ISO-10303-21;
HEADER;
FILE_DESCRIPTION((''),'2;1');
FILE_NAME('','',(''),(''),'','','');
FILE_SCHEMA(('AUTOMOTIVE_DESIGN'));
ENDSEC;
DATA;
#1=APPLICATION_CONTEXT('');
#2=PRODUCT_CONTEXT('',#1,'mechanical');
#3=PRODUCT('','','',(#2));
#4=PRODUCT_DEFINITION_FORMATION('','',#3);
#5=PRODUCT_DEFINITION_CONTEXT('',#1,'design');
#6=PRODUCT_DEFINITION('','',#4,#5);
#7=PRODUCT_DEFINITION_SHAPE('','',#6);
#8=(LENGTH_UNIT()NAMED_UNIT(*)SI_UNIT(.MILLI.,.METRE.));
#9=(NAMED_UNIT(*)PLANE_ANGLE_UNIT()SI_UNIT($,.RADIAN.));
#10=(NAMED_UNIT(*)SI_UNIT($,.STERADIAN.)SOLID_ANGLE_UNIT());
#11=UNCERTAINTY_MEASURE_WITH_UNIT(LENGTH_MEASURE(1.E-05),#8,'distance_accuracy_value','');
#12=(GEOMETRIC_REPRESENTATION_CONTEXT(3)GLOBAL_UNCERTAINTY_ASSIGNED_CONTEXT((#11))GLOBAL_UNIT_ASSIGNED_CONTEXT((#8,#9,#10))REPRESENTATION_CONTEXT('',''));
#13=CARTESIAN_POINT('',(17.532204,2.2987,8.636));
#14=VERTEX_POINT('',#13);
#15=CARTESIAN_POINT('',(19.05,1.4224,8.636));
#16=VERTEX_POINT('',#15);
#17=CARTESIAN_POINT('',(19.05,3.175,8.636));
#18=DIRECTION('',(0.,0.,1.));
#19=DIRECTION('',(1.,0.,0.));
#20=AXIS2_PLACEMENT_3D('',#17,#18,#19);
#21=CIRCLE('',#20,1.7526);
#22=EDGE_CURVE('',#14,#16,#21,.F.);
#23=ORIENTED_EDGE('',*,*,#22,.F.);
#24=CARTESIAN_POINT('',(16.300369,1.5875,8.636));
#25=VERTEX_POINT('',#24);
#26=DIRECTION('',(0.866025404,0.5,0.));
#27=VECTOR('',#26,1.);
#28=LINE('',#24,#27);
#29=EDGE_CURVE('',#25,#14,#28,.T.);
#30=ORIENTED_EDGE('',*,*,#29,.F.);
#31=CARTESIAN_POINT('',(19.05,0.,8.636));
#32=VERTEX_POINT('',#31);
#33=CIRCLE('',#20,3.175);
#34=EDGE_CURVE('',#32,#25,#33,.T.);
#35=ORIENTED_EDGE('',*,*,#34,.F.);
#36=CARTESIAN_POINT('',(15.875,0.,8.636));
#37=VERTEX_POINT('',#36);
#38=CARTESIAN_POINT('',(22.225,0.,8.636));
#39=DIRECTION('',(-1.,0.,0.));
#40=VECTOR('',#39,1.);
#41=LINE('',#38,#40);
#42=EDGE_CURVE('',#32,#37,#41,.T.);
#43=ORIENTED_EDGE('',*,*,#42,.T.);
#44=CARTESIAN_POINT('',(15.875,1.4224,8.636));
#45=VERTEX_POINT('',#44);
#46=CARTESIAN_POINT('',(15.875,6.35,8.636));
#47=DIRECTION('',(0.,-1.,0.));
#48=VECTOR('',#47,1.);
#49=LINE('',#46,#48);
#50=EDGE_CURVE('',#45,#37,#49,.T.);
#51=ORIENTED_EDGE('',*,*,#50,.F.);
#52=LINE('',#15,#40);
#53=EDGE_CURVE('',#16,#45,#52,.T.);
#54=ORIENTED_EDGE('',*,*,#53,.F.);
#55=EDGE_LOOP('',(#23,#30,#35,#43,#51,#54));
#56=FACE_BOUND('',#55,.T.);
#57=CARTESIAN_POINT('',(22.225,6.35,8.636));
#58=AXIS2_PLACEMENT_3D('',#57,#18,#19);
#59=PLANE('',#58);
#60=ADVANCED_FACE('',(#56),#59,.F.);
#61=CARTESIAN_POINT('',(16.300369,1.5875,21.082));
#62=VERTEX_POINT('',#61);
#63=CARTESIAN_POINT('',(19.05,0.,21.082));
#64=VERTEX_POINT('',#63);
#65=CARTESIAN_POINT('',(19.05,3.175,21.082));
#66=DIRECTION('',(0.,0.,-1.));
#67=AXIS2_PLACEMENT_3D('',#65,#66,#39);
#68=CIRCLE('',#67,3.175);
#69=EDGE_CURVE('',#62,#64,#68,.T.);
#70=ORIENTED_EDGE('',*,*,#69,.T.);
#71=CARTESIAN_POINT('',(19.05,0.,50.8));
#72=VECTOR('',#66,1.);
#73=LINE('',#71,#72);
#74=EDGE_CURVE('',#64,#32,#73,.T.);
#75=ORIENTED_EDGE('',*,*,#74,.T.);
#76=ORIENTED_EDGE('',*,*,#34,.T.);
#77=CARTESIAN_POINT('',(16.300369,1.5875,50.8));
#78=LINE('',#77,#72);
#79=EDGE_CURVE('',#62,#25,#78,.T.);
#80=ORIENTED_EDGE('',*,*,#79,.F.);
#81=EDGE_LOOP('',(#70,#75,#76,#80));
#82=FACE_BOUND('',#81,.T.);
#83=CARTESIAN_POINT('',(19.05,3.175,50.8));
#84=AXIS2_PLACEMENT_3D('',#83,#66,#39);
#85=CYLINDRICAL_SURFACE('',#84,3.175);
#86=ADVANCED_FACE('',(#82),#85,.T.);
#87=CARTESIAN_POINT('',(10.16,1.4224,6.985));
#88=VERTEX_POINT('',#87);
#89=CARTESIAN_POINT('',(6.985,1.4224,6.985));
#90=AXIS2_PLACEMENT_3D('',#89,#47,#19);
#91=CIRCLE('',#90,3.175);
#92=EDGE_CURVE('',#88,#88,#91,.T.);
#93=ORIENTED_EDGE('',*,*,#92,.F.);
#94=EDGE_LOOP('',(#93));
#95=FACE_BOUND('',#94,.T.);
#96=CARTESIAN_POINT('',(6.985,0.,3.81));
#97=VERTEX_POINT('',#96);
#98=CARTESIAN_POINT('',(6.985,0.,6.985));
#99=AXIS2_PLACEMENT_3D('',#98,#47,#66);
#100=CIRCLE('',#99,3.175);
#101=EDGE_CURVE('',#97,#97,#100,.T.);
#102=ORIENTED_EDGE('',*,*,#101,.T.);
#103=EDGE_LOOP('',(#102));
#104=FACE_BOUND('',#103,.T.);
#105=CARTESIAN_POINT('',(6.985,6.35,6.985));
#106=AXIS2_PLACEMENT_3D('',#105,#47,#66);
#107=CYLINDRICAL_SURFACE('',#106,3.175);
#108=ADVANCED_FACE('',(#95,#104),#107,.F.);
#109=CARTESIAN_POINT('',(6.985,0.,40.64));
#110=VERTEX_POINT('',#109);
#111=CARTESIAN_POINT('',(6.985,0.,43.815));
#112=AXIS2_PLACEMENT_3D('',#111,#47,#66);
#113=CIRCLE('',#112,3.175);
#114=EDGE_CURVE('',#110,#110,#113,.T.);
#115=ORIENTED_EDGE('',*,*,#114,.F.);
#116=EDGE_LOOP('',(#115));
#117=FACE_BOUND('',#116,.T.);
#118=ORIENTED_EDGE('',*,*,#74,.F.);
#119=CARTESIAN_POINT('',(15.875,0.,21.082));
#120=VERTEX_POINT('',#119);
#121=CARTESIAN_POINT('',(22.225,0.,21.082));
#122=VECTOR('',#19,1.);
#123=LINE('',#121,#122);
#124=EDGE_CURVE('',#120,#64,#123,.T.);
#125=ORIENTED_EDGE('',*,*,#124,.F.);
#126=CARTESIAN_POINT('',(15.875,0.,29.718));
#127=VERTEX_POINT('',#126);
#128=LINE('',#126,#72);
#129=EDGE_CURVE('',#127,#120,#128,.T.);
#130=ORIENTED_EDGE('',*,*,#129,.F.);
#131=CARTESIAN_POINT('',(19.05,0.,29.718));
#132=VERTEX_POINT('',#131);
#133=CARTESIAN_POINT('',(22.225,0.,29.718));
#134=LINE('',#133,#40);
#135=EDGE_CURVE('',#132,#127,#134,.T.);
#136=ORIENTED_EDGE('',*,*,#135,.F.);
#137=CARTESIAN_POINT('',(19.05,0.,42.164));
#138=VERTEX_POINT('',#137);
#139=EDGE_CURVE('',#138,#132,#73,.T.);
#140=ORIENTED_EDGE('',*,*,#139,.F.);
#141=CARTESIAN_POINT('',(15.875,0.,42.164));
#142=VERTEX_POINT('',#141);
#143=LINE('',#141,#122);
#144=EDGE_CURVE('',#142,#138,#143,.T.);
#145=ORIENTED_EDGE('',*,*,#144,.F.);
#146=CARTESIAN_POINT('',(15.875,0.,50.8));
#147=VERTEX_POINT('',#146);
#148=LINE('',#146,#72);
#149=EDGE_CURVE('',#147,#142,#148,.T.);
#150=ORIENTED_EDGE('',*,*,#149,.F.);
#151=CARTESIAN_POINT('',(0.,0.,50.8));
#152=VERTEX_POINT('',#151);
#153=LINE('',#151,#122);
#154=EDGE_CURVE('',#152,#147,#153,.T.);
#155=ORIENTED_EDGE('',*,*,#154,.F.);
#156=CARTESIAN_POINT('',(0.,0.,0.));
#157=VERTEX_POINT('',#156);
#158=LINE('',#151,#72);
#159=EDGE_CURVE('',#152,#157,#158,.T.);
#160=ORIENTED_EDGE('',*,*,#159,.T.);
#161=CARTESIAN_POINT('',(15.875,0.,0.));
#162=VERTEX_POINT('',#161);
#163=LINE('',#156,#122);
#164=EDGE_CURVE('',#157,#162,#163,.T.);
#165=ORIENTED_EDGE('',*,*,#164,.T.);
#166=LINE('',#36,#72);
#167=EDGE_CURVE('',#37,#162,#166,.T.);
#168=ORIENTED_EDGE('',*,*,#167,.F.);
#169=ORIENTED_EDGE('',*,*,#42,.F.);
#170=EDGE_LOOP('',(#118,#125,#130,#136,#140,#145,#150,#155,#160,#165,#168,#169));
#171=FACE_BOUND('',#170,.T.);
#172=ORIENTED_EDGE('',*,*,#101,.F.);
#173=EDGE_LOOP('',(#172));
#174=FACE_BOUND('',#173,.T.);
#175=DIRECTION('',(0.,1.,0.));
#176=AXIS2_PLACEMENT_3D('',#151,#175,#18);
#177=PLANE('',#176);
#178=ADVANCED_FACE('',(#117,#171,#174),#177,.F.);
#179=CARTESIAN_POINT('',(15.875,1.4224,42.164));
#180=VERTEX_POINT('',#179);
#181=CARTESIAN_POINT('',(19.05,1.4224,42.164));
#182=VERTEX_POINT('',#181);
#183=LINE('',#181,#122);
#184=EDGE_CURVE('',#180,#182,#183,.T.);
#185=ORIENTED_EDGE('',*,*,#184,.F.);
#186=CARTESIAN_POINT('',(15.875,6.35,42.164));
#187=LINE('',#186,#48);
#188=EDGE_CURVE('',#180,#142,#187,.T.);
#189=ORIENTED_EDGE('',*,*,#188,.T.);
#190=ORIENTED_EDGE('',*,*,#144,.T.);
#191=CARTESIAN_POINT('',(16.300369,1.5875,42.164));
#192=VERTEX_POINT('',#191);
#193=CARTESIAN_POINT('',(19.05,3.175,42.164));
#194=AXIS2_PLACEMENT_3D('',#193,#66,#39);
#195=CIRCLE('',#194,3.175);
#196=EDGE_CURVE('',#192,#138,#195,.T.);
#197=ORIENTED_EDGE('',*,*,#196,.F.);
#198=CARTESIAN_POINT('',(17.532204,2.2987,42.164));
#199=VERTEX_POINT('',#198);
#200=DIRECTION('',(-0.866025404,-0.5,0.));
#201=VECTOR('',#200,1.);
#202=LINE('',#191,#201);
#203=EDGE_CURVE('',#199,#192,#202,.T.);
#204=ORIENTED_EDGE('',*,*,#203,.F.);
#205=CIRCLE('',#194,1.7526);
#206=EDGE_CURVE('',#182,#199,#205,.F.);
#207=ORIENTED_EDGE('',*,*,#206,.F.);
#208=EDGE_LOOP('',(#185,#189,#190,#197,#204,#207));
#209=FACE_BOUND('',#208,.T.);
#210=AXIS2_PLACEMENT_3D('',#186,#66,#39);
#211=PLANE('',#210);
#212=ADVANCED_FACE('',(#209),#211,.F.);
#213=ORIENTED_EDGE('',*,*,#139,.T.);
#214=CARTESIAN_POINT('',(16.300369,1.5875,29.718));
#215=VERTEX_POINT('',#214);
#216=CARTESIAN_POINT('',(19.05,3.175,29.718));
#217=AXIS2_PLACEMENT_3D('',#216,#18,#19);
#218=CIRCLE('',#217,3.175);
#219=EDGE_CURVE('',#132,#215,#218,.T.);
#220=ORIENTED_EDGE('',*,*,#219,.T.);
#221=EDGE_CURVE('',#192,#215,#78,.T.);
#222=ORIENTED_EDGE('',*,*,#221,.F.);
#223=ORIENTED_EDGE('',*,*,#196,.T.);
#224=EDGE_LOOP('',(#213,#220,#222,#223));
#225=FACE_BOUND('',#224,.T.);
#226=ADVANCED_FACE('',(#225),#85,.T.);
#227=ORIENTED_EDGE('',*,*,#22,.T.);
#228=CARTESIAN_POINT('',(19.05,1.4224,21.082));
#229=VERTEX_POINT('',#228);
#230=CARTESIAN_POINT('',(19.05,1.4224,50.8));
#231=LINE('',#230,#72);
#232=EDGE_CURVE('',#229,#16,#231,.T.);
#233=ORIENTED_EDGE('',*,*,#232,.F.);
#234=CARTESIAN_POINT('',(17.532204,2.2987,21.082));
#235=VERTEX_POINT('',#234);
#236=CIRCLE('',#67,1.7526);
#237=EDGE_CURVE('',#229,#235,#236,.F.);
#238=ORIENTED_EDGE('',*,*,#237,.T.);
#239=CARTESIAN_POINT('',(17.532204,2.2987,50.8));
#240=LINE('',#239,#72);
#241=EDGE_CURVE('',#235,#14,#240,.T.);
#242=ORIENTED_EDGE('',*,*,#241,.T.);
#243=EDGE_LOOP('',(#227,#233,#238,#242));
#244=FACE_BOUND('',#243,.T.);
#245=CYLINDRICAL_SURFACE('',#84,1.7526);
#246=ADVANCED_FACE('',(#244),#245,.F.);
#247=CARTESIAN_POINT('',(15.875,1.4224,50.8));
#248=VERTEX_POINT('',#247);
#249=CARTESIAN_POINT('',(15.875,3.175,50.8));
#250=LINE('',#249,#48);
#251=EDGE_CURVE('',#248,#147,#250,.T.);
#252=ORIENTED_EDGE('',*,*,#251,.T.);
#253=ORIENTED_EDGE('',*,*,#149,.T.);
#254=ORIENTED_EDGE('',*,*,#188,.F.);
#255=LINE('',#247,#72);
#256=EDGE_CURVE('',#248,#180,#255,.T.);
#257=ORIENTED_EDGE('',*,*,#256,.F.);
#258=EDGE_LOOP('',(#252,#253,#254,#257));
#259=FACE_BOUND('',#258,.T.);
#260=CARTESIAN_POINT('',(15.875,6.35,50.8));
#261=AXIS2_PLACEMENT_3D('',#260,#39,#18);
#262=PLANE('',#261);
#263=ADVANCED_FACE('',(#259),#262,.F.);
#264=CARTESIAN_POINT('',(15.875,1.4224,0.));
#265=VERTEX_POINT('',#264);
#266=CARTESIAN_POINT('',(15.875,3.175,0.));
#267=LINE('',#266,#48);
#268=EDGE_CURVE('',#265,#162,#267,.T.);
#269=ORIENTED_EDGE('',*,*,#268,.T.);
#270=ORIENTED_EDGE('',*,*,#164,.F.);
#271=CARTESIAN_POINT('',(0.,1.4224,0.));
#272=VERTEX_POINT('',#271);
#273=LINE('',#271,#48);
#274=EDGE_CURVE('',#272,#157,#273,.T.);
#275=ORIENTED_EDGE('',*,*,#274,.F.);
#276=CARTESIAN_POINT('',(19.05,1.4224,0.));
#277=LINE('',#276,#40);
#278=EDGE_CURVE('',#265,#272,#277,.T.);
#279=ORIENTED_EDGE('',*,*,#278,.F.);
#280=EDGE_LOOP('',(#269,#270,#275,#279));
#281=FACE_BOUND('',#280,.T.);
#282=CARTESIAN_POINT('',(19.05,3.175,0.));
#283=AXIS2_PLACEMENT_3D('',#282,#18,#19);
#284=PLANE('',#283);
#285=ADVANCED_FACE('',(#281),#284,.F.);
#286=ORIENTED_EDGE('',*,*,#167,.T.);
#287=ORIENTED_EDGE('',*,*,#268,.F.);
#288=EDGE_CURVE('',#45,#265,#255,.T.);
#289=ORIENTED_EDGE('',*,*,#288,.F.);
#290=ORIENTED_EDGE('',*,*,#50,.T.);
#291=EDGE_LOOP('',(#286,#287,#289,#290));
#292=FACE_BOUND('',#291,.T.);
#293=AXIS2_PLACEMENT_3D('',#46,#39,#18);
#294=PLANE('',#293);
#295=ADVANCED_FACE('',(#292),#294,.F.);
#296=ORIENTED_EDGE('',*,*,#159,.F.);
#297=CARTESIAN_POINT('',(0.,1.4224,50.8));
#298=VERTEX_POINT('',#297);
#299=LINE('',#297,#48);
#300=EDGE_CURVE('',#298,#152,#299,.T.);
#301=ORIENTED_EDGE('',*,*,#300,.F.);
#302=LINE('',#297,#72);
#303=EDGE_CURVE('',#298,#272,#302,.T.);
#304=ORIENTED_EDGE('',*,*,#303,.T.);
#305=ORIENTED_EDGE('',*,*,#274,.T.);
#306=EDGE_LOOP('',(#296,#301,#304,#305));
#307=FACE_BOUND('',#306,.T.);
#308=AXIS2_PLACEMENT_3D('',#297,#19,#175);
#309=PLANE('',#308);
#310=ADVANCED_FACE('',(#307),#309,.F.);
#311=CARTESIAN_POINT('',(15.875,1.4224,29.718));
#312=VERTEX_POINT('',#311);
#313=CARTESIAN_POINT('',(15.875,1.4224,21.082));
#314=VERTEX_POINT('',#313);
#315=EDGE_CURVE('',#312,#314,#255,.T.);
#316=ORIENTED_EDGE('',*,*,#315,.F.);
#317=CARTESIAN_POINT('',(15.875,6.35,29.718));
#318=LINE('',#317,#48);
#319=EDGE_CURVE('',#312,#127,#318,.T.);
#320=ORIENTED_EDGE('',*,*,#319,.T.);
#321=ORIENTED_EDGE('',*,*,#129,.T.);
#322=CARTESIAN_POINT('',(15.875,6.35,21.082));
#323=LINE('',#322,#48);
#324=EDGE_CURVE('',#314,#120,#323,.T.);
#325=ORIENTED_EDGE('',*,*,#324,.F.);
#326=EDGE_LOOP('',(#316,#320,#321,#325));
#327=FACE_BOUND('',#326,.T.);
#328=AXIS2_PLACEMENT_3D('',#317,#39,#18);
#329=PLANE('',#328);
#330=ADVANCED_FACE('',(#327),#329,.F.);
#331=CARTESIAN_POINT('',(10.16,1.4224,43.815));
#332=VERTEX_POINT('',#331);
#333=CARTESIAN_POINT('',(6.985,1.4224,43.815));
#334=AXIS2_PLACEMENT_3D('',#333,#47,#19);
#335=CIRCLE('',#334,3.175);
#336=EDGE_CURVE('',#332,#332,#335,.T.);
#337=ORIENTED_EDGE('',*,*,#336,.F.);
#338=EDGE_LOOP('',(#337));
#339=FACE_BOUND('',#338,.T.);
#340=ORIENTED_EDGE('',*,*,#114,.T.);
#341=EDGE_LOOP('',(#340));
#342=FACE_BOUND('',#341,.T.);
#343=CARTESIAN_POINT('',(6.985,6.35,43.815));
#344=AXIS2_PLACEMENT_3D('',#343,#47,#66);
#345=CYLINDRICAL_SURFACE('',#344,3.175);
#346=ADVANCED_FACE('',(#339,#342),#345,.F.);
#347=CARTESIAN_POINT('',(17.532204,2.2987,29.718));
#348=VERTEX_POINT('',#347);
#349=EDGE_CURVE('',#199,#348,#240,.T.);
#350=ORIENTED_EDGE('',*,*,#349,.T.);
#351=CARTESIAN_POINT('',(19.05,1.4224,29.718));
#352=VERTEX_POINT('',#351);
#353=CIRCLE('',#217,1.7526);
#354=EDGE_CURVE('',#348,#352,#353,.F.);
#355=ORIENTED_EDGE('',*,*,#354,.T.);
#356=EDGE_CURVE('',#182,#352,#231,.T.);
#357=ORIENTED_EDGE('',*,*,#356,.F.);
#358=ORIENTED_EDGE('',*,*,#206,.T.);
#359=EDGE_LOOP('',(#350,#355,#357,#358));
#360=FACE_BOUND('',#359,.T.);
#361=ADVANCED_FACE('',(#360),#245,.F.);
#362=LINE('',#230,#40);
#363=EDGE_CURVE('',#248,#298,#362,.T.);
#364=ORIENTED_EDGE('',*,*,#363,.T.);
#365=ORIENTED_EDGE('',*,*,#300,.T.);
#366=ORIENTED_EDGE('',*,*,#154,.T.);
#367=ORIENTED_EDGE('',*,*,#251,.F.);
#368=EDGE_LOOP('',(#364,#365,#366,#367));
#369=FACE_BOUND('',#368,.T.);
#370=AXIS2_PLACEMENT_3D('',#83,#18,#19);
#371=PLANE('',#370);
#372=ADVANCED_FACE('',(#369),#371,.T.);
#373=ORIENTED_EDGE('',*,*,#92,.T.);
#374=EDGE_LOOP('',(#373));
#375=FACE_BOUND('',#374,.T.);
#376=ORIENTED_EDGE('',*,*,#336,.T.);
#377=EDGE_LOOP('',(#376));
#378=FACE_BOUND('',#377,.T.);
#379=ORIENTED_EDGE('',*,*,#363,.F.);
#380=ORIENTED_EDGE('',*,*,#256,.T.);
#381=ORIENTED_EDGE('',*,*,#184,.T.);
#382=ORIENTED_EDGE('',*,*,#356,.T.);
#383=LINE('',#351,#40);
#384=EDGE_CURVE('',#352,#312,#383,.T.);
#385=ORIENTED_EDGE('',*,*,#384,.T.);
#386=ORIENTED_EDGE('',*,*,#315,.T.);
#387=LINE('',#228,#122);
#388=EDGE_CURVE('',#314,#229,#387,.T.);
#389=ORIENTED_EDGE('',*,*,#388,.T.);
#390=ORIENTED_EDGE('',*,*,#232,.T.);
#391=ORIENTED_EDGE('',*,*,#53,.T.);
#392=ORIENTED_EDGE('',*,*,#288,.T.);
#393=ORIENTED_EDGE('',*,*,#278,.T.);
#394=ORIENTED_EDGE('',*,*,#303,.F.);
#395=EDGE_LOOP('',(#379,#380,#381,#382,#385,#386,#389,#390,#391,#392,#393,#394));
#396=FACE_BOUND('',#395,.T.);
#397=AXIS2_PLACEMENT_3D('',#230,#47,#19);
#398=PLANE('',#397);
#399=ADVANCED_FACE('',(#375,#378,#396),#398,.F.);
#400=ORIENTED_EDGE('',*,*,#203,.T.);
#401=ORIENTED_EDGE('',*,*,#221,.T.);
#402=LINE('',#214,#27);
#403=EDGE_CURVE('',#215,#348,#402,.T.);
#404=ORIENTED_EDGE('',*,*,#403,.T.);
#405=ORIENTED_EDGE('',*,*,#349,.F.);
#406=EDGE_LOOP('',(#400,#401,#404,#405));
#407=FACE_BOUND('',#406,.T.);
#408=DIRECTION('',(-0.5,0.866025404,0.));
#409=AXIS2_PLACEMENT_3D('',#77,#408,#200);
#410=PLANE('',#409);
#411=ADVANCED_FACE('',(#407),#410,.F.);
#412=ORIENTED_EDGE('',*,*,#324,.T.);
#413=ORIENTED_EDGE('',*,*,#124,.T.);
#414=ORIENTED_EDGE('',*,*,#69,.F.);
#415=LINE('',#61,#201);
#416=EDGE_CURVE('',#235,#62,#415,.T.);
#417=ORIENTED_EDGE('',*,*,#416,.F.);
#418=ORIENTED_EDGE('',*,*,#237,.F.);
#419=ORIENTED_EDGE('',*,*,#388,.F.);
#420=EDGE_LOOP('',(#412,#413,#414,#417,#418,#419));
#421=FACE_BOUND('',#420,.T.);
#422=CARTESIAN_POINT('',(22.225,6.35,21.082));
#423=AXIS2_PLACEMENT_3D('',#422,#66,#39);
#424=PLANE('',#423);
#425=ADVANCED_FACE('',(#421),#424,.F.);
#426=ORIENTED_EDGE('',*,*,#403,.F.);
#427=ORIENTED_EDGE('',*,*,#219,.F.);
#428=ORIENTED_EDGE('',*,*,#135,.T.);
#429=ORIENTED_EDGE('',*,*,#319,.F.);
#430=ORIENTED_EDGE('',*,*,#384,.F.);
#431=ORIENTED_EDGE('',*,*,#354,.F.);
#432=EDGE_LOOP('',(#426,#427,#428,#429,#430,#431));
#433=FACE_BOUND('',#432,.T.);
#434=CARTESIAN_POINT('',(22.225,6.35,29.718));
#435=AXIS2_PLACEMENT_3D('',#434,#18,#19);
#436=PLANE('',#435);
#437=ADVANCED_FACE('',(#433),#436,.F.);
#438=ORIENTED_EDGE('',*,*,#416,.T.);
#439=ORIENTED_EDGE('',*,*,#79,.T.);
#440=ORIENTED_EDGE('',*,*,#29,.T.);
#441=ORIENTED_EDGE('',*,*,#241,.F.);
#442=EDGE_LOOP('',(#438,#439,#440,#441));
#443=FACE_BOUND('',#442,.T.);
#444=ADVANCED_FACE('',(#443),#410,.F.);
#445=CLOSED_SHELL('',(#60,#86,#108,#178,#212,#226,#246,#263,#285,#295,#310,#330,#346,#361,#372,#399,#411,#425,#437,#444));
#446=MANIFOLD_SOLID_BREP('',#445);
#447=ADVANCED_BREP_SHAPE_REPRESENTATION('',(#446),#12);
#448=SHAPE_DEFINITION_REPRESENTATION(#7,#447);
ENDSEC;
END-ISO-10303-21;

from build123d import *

# Parameters (mm, degrees)
BOSS_EXTRUDE1_DEPTH = 50.8
SKETCH2_R           = 3.175
SKETCH2_W           = 6.35
SKETCH2_H           = 8.636
CUT_EXTRUDE1_DEPTH  = 56.811406764


with BuildPart() as part:
    # Sketch1 → Boss-Extrude1 (new body)
    with BuildSketch(Plane.XY):
        with BuildLine():
            Line((0, 0), (19.05, 0))
            ThreePointArc((19.05, 0), (20.6375, 5.924630657), (16.300369343, 1.5875))
            Line((16.300369343, 1.5875), (17.532203877, 2.2987))
            ThreePointArc((17.532203877, 2.2987), (19.9263, 4.692796123), (19.05, 1.4224))
            Line((19.05, 1.4224), (0, 1.4224))
            Line((0, 1.4224), (0, 0))
        make_face()
    extrude(amount=BOSS_EXTRUDE1_DEPTH)

    # Sketch2 → Cut-Extrude1 (cut, through all)
    with BuildSketch(Plane.XZ):
        with Locations(Location((6.985, 43.815, 0), (0, 0, 270))):
            Circle(SKETCH2_R)
        with Locations(Location((6.985, 6.985, 0), (0, 0, 270))):
            Circle(SKETCH2_R)
        with Locations((19.05, 46.482)):
            Rectangle(SKETCH2_W, SKETCH2_H)
        with Locations((19.05, 25.4)):
            Rectangle(SKETCH2_W, SKETCH2_H)
        with Locations((19.05, 4.318)):
            Rectangle(SKETCH2_W, SKETCH2_H)
    extrude(amount=-CUT_EXTRUDE1_DEPTH, mode=Mode.SUBTRACT)


solid = part.part
